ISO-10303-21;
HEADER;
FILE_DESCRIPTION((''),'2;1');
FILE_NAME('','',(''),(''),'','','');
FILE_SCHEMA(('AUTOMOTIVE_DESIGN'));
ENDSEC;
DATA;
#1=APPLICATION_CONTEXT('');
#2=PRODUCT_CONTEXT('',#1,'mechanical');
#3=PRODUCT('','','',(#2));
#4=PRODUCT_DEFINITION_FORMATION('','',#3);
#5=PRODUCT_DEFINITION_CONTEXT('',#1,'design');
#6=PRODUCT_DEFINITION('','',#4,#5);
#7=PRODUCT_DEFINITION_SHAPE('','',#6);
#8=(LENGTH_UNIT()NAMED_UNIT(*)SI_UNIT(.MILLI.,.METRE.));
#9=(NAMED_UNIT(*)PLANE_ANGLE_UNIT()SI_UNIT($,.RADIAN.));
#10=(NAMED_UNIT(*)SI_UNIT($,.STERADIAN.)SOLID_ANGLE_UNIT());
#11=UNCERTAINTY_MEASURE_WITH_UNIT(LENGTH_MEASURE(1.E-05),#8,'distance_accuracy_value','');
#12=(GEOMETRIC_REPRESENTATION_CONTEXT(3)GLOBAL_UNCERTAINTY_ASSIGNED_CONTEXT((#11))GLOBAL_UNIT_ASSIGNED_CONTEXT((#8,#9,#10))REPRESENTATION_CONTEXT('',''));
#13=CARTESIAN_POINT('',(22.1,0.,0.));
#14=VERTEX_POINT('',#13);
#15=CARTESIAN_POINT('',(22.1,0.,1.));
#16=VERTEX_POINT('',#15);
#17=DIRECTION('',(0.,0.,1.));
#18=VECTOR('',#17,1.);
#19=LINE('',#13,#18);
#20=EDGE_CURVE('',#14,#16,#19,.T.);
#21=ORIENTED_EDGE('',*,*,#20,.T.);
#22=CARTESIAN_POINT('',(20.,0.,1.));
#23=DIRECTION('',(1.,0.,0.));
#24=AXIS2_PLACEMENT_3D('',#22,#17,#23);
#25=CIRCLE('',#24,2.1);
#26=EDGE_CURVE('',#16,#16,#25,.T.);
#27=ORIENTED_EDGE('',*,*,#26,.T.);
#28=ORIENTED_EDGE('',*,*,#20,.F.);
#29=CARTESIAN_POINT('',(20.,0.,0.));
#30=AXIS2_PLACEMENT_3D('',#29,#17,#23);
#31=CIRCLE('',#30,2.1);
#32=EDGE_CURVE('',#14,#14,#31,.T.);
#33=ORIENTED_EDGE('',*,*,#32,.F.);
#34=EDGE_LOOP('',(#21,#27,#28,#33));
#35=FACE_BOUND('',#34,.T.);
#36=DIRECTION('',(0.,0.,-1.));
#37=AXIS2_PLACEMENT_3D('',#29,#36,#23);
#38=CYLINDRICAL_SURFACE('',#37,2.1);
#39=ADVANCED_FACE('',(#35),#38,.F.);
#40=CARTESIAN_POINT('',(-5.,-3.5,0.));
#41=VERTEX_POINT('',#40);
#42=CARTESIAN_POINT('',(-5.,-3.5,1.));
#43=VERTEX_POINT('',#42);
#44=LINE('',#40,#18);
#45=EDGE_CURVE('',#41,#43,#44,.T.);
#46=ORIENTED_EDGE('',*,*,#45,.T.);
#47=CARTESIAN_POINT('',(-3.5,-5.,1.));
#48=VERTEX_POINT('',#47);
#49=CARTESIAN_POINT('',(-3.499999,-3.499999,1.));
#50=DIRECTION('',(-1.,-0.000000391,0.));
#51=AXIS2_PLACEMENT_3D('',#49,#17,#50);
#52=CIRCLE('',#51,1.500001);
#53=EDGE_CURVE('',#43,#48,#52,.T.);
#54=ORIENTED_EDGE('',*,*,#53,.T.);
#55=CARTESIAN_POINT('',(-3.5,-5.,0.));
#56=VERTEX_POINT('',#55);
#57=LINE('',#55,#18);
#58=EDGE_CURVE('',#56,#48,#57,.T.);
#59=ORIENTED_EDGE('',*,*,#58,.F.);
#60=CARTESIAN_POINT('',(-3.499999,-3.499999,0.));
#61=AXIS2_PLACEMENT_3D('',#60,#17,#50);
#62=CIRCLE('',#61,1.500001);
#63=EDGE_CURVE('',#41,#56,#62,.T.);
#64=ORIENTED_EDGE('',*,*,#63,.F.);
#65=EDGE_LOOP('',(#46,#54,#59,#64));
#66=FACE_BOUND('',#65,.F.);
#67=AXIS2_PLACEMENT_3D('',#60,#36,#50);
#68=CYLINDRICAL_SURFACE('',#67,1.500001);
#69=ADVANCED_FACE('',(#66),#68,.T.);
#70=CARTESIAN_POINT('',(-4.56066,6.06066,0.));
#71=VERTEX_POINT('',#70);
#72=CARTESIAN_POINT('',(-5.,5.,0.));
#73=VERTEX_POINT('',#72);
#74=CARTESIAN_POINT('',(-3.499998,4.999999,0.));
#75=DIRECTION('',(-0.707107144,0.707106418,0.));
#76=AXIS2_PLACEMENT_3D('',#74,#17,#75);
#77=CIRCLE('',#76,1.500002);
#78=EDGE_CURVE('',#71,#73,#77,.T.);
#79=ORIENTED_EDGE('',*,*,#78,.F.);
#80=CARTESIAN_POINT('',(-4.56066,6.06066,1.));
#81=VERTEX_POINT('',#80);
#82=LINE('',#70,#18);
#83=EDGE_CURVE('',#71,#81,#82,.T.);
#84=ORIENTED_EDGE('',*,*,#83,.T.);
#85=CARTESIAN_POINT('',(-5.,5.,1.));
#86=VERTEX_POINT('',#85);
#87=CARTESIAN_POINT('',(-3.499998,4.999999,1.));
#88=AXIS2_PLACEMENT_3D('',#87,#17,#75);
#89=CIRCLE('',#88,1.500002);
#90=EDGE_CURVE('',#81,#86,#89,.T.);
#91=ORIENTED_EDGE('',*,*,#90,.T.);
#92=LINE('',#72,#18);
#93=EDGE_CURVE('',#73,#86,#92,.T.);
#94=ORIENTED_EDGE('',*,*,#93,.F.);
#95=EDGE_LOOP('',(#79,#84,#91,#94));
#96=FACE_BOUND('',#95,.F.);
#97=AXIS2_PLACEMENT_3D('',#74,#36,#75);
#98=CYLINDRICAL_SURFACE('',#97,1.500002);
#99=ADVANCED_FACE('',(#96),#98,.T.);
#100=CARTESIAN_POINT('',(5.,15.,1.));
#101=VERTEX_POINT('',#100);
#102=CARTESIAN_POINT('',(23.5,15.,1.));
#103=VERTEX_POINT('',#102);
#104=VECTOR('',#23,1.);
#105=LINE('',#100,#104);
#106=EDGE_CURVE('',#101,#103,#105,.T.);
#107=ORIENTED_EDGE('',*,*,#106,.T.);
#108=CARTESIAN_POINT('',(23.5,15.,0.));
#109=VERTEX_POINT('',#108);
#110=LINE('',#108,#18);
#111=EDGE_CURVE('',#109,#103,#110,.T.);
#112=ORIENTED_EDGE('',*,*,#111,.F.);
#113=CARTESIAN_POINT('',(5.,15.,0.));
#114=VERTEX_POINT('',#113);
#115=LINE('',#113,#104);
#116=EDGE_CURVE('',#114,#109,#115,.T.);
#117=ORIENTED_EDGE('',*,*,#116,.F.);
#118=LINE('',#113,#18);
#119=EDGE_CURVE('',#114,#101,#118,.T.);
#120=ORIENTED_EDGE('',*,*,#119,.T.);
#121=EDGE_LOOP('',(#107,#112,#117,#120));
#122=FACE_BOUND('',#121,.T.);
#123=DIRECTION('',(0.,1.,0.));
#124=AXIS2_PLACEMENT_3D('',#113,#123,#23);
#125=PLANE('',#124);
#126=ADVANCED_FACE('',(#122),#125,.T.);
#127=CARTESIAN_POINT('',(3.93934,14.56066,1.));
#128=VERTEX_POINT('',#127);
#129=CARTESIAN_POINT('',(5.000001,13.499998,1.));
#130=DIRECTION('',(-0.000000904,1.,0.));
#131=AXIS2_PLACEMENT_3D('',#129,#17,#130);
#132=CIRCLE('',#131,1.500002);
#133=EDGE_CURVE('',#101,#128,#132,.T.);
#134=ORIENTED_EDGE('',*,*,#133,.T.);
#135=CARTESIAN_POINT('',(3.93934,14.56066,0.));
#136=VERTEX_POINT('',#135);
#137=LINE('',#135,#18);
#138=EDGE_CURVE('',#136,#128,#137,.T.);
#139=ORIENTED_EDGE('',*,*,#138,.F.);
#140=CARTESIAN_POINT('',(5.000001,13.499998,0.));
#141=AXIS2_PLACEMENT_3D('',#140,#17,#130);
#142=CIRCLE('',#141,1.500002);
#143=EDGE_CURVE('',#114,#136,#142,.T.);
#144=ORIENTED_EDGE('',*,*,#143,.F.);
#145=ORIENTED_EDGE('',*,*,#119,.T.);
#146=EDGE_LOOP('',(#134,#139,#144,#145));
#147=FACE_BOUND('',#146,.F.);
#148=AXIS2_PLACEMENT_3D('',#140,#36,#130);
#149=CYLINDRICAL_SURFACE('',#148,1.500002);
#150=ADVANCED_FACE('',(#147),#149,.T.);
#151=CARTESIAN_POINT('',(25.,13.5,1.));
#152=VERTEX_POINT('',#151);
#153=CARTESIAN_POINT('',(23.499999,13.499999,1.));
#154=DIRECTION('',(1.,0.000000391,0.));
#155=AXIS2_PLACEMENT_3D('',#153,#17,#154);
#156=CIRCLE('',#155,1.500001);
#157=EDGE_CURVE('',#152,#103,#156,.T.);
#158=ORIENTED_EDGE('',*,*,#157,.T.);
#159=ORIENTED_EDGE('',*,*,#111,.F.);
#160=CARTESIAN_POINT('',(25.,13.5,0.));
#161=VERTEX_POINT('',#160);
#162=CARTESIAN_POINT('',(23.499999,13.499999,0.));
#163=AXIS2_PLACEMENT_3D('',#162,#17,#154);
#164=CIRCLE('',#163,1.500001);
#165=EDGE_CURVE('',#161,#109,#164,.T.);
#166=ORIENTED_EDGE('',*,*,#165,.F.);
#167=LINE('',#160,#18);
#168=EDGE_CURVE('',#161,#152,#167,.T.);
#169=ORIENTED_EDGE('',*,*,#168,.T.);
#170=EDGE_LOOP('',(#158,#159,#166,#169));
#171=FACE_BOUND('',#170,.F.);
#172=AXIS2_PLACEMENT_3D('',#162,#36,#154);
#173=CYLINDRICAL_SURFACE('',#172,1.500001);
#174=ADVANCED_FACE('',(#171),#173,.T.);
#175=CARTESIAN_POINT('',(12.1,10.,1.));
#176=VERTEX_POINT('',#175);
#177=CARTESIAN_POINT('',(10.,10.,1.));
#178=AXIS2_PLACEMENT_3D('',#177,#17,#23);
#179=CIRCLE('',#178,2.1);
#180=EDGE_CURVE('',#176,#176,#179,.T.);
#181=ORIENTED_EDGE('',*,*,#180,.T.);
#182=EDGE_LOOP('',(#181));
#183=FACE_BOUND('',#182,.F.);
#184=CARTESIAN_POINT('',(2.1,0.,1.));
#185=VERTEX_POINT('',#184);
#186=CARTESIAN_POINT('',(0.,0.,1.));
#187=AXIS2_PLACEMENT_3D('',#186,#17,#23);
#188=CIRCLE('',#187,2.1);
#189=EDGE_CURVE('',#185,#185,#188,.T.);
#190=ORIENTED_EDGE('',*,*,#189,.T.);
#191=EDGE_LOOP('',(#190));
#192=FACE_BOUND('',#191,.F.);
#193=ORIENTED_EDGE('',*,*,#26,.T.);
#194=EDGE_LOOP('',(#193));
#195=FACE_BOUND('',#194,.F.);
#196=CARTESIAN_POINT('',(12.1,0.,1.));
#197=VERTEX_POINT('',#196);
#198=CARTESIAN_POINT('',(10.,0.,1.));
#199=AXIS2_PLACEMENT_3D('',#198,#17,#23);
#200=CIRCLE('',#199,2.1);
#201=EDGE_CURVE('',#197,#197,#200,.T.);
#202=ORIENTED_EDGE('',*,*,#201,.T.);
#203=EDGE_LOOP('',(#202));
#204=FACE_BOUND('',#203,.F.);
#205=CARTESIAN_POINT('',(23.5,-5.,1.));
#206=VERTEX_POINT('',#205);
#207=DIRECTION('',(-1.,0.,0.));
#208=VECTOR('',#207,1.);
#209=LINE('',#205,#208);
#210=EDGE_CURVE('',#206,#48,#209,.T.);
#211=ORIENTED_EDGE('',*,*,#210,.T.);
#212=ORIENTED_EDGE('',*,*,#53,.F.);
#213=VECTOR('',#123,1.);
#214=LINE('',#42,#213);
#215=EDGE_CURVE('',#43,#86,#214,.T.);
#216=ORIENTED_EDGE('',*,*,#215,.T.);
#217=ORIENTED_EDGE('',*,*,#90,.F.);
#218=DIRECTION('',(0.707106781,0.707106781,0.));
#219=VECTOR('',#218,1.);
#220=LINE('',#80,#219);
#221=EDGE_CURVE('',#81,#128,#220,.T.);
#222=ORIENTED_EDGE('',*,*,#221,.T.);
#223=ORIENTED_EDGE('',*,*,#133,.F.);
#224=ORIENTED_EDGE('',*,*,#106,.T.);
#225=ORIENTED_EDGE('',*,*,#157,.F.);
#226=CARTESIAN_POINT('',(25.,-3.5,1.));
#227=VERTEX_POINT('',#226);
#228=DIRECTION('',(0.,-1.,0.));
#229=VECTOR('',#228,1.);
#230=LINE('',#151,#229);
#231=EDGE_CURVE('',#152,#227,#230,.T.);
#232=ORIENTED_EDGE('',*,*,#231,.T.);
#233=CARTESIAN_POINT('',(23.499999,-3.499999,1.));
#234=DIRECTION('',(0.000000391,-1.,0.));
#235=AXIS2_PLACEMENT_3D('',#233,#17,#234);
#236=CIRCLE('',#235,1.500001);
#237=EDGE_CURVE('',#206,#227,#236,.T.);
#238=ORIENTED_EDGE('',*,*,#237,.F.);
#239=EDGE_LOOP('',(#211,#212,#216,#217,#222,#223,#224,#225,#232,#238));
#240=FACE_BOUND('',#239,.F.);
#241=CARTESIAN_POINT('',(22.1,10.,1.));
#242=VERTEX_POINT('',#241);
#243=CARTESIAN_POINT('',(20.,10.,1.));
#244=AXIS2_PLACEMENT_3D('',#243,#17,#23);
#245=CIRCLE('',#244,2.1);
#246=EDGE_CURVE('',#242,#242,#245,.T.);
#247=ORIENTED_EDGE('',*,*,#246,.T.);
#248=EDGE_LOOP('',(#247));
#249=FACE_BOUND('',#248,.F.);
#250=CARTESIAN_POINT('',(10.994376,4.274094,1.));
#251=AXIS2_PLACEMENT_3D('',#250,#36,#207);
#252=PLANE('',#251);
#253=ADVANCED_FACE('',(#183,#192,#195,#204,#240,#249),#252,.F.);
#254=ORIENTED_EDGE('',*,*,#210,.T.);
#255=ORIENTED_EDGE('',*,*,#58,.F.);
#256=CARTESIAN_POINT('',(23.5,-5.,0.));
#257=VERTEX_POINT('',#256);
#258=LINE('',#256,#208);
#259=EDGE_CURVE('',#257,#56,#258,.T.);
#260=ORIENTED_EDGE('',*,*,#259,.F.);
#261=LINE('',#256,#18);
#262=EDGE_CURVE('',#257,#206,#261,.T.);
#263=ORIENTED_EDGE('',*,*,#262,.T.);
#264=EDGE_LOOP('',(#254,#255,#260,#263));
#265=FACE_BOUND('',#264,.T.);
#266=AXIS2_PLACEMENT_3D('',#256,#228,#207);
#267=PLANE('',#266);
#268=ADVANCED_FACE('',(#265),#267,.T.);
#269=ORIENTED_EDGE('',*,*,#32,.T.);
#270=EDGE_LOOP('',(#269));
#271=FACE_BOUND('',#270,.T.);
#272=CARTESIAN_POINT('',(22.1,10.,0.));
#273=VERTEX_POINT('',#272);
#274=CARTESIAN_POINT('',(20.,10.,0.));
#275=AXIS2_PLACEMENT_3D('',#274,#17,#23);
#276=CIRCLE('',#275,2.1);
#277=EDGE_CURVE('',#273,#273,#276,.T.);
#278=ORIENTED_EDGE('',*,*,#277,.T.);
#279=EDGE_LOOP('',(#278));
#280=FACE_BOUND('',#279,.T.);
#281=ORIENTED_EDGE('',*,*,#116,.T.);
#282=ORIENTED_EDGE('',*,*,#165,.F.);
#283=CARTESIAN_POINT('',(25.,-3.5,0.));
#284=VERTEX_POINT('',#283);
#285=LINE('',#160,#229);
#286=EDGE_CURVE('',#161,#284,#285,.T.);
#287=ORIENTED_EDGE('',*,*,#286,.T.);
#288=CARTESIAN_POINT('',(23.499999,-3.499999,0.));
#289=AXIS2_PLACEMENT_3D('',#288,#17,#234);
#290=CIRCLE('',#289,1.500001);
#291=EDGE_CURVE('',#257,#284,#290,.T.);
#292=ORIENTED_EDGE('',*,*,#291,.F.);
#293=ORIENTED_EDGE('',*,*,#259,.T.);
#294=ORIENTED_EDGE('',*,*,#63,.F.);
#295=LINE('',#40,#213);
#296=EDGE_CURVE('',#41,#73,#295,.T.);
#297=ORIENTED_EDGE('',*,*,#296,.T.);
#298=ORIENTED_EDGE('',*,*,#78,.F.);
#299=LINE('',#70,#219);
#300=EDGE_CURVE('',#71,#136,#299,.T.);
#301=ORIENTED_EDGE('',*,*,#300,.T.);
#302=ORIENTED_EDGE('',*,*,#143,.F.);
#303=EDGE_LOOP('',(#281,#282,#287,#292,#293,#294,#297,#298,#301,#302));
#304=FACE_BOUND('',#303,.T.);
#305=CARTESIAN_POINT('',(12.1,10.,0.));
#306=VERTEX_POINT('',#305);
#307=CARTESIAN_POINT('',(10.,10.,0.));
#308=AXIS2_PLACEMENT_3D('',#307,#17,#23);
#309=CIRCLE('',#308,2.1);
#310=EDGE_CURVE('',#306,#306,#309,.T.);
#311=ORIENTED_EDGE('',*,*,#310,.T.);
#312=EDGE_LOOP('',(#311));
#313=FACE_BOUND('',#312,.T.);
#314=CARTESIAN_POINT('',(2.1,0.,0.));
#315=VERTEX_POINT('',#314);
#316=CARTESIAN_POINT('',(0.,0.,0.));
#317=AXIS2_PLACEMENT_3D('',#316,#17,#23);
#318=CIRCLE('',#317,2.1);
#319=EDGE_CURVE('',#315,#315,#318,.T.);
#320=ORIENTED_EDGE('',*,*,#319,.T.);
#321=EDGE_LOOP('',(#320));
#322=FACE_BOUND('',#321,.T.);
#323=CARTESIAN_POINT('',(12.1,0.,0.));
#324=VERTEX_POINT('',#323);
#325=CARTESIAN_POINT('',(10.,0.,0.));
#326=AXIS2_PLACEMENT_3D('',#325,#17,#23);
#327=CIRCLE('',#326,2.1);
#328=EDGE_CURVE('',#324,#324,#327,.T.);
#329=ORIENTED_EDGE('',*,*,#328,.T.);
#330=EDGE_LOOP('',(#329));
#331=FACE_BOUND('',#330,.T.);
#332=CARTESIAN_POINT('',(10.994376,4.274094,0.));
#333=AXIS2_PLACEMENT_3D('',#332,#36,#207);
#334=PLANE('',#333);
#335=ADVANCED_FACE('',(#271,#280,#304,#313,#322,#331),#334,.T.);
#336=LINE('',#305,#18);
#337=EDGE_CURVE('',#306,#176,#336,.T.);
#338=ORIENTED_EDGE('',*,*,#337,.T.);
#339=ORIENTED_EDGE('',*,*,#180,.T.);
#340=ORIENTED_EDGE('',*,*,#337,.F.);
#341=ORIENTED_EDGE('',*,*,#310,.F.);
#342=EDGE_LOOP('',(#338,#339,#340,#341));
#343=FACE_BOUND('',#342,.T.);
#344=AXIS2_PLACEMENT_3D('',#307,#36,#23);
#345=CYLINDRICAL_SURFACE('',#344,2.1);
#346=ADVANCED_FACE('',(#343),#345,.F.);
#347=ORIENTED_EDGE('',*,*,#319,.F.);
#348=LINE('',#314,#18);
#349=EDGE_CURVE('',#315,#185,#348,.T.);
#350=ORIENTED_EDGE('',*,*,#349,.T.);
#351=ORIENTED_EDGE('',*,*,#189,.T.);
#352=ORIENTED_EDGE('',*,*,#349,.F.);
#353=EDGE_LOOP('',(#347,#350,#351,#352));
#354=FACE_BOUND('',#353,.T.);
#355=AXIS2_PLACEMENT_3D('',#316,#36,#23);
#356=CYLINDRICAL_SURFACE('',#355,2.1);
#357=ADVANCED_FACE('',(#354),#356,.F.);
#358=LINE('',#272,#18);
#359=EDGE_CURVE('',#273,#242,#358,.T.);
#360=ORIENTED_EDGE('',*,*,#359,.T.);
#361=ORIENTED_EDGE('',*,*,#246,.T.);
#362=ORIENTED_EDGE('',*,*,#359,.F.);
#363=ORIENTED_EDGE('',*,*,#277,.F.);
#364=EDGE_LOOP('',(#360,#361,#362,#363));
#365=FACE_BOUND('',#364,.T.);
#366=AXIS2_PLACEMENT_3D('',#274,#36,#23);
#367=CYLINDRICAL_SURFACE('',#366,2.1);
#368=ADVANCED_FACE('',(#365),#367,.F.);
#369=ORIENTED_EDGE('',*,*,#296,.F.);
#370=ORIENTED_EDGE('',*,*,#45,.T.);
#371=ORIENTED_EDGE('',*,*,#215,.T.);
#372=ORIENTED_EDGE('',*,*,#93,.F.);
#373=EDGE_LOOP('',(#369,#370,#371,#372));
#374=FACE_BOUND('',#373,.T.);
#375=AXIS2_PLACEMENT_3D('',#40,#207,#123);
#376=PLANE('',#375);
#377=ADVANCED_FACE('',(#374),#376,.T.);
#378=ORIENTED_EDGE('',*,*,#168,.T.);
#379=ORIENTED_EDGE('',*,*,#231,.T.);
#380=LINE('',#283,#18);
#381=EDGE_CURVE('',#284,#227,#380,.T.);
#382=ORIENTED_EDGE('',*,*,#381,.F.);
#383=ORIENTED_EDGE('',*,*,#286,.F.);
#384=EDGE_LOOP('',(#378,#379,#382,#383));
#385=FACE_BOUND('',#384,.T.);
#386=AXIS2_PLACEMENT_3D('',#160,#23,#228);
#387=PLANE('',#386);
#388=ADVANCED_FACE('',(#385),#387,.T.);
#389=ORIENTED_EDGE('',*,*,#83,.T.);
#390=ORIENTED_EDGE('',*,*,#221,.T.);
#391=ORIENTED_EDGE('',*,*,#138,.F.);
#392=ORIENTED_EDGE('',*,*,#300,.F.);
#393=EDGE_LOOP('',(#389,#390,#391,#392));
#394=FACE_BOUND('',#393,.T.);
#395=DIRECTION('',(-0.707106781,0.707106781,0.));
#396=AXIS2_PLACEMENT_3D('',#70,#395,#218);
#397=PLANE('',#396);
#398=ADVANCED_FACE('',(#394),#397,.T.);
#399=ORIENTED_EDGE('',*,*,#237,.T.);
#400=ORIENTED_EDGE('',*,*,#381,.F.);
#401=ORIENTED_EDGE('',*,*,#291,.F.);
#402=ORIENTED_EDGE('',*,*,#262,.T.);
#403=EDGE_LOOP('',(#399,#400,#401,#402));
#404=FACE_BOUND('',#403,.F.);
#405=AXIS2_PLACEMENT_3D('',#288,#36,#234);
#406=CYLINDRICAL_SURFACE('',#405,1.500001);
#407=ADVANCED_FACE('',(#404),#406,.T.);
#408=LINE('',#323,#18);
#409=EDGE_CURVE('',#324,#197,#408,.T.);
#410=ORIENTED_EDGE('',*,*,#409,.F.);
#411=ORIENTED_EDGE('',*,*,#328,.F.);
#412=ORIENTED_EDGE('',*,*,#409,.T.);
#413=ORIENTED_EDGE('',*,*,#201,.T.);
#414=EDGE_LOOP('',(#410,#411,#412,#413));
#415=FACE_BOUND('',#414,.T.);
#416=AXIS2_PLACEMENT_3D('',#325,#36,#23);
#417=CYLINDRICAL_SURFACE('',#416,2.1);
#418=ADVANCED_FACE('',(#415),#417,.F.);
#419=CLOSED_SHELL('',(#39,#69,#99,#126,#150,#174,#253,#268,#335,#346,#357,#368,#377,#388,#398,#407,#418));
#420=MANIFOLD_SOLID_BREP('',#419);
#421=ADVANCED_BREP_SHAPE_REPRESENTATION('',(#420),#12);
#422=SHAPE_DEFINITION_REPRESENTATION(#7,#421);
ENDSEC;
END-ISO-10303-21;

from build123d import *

# Parameters (mm, degrees)
SKETCH_R  = 2.1
PAD_DEPTH = 1


with BuildPart() as part:
    # Sketch → Pad (new body)
    with BuildSketch(Plane.XY):
        with BuildLine():
            Line((5, 15), (23.5, 15))
            ThreePointArc((25, 13.5), (24.56066, 14.56066), (23.5, 15))
            Line((25, 13.5), (25, -3.5))
            ThreePointArc((23.5, -5), (24.56066, -4.56066), (25, -3.5))
            Line((23.5, -5), (-3.5, -5))
            ThreePointArc((-5, -3.5), (-4.56066, -4.56066), (-3.5, -5))
            Line((-5, -3.5), (-5, 5))
            ThreePointArc((-4.56066, 6.06066), (-4.885819, 5.574025), (-5, 5))
            Line((-4.56066, 6.06066), (3.93934, 14.56066))
            ThreePointArc((5, 15), (4.425975, 14.885819), (3.93934, 14.56066))
        make_face()
        Circle(SKETCH_R, mode=Mode.SUBTRACT)
        with Locations((10, 0)):
            Circle(SKETCH_R, mode=Mode.SUBTRACT)
        with Locations((20, 0)):
            Circle(SKETCH_R, mode=Mode.SUBTRACT)
        with Locations((10, 10)):
            Circle(SKETCH_R, mode=Mode.SUBTRACT)
        with Locations((20, 10)):
            Circle(SKETCH_R, mode=Mode.SUBTRACT)
    extrude(amount=PAD_DEPTH)


solid = part.part
